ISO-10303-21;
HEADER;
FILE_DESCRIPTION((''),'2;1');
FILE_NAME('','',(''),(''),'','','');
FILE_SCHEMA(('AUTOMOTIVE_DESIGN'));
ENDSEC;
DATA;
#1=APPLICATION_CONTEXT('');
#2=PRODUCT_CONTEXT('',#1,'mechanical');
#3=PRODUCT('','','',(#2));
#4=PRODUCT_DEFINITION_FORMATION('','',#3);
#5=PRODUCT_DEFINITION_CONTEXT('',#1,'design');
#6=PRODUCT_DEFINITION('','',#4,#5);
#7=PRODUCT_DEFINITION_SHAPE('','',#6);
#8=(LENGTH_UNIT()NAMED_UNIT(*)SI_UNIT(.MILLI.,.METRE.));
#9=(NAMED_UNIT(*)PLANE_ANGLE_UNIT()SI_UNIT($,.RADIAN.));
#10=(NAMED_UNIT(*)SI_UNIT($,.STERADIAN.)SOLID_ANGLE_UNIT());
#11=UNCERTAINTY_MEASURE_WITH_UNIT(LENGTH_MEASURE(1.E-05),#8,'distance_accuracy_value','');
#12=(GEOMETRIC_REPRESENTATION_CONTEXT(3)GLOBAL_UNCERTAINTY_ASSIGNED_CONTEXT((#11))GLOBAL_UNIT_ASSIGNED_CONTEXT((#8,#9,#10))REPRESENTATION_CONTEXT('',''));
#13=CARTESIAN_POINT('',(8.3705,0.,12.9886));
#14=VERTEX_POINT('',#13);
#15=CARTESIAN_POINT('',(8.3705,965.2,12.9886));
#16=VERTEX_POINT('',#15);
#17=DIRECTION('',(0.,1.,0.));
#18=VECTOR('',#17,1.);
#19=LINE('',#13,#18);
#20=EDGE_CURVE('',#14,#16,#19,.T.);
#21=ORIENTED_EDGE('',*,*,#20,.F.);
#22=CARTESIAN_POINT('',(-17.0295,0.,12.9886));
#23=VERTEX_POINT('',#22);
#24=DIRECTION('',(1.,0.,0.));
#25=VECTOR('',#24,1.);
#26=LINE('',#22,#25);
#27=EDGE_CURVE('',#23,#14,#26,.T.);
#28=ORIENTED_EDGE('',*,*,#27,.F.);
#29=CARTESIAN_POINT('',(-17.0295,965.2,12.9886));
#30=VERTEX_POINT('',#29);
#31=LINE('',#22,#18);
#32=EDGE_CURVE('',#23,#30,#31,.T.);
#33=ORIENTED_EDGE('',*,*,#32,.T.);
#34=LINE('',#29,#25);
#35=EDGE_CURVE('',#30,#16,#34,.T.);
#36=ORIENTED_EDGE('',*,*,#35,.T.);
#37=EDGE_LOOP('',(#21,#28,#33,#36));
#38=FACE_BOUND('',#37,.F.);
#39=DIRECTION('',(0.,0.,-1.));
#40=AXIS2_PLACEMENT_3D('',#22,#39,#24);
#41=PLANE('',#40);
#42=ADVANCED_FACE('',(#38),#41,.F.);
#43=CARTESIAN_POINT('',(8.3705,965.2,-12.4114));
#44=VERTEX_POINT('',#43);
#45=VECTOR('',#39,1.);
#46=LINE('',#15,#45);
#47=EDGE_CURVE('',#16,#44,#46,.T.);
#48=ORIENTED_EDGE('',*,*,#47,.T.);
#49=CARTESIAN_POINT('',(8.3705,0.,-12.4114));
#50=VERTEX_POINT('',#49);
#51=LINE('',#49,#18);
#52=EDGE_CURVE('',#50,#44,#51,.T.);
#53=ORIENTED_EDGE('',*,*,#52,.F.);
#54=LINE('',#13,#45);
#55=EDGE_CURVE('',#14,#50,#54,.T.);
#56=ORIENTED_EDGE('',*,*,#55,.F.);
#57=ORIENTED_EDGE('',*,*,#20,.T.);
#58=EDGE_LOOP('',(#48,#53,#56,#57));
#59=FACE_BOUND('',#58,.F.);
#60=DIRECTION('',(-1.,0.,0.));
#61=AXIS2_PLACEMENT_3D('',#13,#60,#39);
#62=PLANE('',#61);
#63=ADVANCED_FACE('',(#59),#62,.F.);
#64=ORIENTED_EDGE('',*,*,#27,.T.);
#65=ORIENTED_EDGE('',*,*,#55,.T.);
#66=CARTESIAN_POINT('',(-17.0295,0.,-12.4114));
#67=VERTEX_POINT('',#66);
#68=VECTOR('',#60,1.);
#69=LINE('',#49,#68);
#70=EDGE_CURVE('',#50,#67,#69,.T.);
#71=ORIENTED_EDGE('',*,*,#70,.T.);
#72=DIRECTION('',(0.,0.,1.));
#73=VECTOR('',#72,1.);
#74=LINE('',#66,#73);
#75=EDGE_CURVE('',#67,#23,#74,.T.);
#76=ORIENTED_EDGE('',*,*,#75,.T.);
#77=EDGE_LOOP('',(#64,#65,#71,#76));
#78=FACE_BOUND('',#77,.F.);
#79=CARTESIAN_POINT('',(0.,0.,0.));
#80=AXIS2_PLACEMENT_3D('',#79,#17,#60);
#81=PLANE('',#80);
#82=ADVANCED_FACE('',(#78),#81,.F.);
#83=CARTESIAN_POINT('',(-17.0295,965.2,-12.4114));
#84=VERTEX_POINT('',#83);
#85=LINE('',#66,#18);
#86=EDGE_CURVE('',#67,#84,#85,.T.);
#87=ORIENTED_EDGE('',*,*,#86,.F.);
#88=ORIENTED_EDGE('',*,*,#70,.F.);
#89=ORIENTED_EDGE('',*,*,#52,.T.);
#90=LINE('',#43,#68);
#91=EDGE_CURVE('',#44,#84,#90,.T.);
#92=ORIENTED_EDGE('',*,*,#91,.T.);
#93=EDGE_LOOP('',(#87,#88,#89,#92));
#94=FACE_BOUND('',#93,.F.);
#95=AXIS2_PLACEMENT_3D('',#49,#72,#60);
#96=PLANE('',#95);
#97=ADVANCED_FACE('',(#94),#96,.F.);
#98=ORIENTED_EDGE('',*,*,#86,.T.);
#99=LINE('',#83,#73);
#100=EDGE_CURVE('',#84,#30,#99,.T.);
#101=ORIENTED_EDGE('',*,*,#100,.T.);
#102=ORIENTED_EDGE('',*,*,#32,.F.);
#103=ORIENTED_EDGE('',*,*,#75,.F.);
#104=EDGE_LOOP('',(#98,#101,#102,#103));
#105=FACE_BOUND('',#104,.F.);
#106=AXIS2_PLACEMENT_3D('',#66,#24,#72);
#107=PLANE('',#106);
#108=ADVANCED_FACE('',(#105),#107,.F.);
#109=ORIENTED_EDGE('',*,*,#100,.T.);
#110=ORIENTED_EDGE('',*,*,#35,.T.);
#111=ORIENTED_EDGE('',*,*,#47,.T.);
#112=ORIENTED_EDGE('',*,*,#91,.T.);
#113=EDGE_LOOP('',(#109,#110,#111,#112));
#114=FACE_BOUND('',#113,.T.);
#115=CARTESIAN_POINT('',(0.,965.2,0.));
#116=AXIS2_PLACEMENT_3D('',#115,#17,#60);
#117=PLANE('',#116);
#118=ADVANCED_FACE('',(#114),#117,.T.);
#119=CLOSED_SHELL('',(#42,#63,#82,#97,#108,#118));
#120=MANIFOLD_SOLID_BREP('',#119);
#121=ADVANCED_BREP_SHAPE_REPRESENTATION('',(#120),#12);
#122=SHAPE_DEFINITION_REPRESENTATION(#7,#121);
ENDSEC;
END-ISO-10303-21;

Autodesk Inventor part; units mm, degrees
ref_plane "YZ Plane" through (0, 0, 0) normal (1, 0, 0) x (0, 1, 0)
ref_plane "XZ Plane" through (0, 0, 0) normal (0, 1, 0) x (-1, 0, 0)
ref_plane "XY Plane" through (0, 0, 0) normal (0, 0, 1) x (1, 0, 0)
sketch "Sketch1" plane through (0, 0, 0) normal (0, 1, 0) x (-1, 0, 0)
  line L0 (17.0295, 12.9886) -> (-8.3705, 12.9886)
  line L1 (-8.3705, 12.9886) -> (-8.3705, -12.4114)
  line L2 (-8.3705, -12.4114) -> (17.0295, -12.4114)
  line L3 (17.0295, -12.4114) -> (17.0295, 12.9886)
  point P0 (0, 0)
  dimension "d0" = 25.4
  dimension "d1" = 25.4
extrude "Extrusion1" add sketch "Sketch1" along normal blind 965.2
properties part number "MidBeam"
